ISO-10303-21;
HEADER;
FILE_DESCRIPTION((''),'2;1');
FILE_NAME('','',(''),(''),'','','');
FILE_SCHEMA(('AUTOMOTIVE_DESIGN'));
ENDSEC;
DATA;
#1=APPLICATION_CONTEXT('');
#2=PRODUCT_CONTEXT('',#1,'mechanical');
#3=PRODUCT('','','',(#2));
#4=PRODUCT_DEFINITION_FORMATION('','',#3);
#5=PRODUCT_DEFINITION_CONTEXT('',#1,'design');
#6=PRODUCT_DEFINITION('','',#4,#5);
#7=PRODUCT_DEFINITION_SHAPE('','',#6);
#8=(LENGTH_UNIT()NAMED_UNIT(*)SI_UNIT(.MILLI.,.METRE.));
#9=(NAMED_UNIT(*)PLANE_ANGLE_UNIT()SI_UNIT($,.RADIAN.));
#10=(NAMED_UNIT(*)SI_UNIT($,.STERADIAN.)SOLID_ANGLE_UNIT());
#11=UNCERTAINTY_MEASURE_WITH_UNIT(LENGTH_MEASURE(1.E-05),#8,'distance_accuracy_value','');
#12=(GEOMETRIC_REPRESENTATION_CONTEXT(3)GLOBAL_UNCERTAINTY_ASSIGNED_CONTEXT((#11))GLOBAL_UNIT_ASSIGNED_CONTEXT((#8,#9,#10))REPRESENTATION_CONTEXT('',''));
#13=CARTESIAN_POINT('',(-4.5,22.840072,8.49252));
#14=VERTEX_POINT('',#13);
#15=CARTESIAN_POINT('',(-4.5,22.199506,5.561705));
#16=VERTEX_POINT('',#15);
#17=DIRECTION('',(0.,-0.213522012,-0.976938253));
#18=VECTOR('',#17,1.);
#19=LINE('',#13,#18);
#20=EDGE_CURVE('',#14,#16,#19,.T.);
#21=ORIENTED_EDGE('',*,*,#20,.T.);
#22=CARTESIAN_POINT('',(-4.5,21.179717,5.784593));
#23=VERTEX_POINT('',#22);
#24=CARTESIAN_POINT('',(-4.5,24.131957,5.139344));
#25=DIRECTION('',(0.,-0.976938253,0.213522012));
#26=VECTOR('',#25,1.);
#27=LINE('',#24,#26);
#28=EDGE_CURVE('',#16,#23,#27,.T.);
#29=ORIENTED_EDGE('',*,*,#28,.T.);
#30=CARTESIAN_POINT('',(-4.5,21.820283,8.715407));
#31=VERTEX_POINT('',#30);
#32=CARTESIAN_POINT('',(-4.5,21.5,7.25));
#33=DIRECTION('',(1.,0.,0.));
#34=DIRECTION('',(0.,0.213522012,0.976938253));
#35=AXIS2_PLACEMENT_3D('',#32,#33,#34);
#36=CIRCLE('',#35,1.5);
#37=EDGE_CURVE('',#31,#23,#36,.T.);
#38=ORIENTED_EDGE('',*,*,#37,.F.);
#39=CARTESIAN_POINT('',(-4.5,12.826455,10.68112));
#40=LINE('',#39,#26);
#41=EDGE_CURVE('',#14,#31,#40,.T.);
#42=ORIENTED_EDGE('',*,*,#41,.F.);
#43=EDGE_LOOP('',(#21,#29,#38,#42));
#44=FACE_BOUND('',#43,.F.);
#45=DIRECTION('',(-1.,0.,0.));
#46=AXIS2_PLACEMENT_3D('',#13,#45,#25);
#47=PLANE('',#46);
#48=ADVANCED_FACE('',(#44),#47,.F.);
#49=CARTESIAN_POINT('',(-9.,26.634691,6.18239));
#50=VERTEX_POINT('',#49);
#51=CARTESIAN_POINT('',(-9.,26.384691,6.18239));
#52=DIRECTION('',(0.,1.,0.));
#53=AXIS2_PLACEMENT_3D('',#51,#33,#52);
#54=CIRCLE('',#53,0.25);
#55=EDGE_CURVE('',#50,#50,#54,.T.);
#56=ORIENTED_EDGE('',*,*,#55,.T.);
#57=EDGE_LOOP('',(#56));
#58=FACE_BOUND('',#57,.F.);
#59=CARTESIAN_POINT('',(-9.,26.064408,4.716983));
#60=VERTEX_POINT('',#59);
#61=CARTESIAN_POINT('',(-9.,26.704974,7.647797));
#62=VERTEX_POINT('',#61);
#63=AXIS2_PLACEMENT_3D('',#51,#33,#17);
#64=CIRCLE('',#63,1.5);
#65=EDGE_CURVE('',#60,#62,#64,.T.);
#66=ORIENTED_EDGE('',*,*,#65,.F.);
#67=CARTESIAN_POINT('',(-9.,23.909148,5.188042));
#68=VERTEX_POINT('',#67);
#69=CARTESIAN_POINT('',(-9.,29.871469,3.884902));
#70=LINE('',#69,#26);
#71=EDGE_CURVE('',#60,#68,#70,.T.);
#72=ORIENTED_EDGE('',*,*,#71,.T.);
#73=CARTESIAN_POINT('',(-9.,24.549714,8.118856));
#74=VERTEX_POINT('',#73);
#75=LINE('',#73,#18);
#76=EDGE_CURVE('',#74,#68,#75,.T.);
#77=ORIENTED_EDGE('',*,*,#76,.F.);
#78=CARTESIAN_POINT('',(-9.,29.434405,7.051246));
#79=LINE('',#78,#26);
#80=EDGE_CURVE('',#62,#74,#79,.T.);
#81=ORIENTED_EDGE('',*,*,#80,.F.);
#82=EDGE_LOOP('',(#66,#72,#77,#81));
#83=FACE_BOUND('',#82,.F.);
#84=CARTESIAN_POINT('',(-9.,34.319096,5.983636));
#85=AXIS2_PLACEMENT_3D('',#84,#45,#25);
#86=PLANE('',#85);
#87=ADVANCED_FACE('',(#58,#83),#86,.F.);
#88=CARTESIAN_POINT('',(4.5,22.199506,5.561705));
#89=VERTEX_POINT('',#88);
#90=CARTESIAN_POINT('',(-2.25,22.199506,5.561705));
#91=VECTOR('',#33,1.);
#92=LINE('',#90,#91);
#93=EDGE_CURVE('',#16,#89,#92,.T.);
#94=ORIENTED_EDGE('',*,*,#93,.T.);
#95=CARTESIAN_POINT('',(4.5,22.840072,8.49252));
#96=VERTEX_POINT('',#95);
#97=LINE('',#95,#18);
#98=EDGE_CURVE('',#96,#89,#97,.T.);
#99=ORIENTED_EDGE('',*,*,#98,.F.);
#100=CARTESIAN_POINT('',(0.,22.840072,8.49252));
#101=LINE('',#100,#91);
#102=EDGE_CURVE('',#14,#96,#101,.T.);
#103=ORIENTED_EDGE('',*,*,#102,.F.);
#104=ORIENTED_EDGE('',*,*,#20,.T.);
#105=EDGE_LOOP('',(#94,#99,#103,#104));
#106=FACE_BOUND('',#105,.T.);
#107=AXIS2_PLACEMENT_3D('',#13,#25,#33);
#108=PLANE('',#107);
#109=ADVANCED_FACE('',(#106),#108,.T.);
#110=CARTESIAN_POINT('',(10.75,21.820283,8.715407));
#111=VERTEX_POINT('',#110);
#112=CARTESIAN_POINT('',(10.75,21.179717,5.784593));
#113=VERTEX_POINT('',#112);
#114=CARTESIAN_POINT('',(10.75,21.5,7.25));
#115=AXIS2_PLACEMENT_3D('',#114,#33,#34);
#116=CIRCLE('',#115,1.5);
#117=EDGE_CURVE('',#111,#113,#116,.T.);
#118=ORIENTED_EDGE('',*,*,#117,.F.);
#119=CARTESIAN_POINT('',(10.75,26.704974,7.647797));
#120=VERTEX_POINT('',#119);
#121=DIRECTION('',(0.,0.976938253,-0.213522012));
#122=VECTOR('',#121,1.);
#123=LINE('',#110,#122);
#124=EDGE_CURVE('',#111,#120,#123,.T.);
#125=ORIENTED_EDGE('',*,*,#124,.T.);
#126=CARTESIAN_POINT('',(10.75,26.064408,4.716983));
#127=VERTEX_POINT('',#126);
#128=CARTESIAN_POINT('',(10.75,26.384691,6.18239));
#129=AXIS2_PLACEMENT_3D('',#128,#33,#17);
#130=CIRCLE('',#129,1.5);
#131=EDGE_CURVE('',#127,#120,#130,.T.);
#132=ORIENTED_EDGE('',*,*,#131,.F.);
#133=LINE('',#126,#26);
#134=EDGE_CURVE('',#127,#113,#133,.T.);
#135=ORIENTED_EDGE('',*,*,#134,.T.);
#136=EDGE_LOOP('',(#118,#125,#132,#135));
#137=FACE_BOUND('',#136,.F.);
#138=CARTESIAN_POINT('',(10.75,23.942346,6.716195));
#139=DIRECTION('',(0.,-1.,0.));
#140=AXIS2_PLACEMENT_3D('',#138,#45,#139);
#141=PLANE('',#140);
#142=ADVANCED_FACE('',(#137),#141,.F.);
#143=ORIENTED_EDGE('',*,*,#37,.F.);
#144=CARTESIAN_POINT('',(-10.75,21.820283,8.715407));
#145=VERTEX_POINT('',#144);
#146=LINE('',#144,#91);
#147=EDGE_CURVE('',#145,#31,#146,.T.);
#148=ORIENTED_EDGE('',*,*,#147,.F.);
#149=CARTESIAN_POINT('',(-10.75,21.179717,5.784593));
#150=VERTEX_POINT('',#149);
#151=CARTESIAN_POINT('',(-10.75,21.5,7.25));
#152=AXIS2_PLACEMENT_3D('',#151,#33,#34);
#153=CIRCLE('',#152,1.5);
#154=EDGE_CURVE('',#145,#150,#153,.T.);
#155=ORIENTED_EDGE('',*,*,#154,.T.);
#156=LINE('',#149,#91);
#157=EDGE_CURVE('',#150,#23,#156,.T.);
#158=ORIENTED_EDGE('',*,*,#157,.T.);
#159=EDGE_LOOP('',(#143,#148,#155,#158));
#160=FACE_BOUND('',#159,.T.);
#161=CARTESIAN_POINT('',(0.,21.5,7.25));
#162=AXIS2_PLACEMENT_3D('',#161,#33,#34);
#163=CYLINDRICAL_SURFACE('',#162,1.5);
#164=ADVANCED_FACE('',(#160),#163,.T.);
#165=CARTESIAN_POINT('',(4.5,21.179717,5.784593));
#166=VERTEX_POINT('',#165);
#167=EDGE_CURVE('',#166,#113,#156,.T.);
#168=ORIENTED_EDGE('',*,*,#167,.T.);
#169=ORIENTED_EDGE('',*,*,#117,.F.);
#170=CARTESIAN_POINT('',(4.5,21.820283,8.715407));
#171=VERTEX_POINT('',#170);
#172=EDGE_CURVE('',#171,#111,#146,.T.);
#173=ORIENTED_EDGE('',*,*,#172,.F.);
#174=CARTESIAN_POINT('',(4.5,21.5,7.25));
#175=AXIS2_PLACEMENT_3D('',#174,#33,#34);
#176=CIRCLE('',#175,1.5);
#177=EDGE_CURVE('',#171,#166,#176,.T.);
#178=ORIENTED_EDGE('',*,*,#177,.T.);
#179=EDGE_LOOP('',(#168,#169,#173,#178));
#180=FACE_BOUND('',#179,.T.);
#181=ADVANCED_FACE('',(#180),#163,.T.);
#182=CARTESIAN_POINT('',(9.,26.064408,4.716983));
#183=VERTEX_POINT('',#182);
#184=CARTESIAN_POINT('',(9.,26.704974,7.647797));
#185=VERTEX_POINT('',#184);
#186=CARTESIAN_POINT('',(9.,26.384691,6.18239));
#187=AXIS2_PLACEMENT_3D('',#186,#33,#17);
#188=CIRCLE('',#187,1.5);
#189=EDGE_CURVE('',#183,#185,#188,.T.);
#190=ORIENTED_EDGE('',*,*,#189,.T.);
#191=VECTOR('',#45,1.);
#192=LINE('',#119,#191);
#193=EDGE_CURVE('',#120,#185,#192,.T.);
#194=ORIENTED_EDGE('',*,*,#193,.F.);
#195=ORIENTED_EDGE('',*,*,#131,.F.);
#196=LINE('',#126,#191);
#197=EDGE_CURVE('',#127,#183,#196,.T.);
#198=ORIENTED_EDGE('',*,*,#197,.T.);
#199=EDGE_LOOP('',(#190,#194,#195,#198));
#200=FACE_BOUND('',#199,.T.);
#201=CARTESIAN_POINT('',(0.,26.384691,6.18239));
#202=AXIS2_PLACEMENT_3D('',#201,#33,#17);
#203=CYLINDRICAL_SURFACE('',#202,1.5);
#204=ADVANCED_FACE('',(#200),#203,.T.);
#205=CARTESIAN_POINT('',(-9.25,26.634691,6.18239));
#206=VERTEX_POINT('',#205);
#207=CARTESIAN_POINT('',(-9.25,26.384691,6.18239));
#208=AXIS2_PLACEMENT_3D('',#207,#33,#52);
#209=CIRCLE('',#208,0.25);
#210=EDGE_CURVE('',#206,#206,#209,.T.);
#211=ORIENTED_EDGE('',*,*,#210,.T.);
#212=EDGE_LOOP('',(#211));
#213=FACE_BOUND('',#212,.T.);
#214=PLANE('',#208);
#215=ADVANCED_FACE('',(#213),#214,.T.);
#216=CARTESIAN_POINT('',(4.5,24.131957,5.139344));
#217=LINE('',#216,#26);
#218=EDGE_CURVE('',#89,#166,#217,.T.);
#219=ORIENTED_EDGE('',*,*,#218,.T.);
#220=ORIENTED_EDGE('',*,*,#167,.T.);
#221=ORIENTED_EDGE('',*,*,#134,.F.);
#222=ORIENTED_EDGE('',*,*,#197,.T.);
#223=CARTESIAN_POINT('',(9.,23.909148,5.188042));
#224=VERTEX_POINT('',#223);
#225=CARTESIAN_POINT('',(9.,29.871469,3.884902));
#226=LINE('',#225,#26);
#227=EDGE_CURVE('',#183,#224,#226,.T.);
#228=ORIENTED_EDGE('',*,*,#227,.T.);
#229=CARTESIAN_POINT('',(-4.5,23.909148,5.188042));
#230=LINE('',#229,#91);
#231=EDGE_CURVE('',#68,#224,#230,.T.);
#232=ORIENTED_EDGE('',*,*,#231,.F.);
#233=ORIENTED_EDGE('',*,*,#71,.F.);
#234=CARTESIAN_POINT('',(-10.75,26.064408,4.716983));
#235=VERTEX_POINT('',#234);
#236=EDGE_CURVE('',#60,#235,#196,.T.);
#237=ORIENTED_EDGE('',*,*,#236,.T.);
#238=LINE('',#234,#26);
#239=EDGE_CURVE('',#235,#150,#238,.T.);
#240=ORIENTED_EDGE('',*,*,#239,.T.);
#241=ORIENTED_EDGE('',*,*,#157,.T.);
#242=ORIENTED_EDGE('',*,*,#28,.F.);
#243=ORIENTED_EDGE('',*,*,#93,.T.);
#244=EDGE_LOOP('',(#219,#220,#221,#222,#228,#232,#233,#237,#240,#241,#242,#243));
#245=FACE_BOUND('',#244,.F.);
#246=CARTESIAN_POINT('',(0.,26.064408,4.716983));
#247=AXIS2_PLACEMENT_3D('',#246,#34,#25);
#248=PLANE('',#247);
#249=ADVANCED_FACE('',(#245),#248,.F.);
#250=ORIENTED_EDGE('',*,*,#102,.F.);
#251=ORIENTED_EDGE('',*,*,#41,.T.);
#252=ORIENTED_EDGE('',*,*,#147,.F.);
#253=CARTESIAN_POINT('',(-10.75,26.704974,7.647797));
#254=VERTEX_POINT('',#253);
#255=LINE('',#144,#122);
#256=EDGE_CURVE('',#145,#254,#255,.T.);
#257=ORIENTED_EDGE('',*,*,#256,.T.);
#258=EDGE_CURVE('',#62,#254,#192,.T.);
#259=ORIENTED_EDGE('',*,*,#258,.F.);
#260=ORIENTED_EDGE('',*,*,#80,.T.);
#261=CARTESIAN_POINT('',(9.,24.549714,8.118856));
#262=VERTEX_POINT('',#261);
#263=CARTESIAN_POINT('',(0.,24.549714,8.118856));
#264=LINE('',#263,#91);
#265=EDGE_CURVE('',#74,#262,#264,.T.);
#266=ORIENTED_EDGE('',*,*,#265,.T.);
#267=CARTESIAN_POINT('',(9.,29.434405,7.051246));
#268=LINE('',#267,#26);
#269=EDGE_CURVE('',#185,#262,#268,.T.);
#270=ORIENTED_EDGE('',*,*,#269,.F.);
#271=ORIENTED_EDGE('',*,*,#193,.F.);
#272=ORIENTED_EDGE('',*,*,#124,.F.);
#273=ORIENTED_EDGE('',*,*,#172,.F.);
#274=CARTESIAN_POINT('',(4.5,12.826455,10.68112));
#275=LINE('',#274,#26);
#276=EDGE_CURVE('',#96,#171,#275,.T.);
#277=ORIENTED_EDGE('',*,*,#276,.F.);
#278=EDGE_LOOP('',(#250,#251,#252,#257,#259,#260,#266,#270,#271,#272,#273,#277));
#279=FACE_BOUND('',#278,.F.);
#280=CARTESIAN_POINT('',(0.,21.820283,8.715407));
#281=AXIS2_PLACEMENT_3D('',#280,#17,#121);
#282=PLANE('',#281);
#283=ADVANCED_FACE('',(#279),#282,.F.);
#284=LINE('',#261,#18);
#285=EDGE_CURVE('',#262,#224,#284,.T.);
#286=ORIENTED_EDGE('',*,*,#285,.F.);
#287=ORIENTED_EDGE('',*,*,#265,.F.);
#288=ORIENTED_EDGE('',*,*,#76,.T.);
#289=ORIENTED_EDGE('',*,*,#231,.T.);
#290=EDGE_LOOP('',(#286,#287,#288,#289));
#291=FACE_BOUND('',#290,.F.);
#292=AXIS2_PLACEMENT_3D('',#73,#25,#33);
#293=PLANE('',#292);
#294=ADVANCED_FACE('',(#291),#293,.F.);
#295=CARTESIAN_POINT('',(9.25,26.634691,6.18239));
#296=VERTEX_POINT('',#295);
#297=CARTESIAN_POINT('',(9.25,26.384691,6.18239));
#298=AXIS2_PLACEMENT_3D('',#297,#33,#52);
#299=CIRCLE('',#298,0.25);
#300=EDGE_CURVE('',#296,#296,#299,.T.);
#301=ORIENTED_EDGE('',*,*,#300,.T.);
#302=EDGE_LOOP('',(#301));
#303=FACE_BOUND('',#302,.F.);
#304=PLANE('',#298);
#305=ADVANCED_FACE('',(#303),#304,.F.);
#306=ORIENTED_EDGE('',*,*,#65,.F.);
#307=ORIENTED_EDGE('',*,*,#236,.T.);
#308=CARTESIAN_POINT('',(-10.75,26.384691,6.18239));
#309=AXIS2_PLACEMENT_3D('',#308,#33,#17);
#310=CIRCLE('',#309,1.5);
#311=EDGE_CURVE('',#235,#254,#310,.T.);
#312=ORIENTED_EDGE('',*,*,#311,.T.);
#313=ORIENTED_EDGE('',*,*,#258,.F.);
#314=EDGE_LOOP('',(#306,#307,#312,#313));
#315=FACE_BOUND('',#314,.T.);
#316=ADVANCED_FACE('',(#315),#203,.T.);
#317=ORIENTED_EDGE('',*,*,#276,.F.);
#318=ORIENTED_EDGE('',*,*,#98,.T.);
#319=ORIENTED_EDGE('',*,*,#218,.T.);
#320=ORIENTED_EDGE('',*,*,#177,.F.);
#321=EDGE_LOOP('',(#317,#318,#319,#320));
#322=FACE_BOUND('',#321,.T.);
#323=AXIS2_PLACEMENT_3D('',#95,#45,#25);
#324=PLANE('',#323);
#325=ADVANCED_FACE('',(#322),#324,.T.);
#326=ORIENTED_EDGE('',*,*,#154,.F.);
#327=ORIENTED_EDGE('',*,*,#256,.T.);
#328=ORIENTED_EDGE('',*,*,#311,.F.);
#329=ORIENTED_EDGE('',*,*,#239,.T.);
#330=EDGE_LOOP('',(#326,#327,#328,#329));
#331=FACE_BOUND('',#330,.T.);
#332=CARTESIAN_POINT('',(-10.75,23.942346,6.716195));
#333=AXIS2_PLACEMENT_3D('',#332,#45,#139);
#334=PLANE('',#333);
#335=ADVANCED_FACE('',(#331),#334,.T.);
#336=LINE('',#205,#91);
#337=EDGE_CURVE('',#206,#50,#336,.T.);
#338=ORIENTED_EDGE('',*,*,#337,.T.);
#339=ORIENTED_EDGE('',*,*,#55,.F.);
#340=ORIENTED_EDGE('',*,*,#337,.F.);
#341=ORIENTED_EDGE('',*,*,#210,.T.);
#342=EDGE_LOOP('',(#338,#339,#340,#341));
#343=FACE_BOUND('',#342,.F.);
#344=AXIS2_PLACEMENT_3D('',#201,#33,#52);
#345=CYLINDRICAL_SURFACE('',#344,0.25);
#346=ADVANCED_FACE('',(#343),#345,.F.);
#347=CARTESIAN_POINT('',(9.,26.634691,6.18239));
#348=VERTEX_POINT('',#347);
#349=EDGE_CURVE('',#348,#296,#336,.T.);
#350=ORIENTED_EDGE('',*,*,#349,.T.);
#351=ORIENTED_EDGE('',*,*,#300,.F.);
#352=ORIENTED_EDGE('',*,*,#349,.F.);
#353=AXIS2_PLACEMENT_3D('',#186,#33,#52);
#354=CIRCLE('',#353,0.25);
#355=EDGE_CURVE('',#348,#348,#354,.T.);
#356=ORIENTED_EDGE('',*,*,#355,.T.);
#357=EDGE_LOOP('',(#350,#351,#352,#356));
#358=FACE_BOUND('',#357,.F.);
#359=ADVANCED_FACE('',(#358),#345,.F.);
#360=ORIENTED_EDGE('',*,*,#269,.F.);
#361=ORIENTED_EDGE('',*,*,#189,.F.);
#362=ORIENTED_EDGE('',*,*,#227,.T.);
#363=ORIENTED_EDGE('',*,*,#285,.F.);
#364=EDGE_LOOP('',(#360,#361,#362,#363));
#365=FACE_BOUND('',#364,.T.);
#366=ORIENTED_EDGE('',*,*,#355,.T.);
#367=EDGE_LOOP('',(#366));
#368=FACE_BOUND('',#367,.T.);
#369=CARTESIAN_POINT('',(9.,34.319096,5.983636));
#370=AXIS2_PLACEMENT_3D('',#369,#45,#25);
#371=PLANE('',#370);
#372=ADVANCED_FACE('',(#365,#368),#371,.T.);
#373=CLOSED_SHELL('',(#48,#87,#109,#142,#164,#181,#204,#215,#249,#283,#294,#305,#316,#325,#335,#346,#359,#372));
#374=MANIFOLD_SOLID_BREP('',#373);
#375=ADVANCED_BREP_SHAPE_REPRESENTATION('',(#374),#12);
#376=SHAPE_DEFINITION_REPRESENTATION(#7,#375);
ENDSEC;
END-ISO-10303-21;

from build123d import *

# Parameters (mm, degrees)
PAD002_DEPTH    = 10.75
SKETCH034_W     = 20.5
SKETCH034_H     = 9
SKETCH034_W_2   = 10
SKETCH034_H_2   = 18
POCKET004_DEPTH = 5
SKETCH035_R     = 0.25
POCKET005_DEPTH = 9.25


with BuildPart() as part:
    # Sketch033 → Pad002 (new body, symmetric)
    with BuildSketch(Plane.YZ):
        with BuildLine():
            Line((21.8202830187, 8.7154073795), (26.7049742837, 7.6477973171))
            ThreePointArc((26.0644082463, 4.7169825581), (27.8500986445, 5.8621069189), (26.7049742837, 7.6477973171))
            Line((26.0644082463, 4.7169825581), (21.1797169813, 5.7845926205))
            ThreePointArc((21.8202830187, 8.7154073795), (20.0345926205, 7.5702830187), (21.1797169813, 5.7845926205))
        make_face()
    extrude(amount=PAD002_DEPTH, both=True)

    # Sketch034 (on Face3 of Pad002) → Pocket004 (cut)
    with BuildSketch(Plane(origin=(0, 2.812837698, 12.869721088), x_dir=(0, -0.976938253, 0.2135220125), z_dir=(0, 0.2135220125, 0.976938253))):
        with Locations((-10.25, 0)):
            Rectangle(SKETCH034_W, SKETCH034_H)
        with Locations((-27.25, 0)):
            Rectangle(SKETCH034_W_2, SKETCH034_H_2)
    extrude(amount=-POCKET004_DEPTH, mode=Mode.SUBTRACT)

    # Sketch035 → Pocket005 (cut, symmetric)
    with BuildSketch(Plane.YZ):
        with Locations((26.384691265, 6.1823899376)):
            Circle(SKETCH035_R)
    extrude(amount=POCKET005_DEPTH, both=True, mode=Mode.SUBTRACT)


solid = part.part
